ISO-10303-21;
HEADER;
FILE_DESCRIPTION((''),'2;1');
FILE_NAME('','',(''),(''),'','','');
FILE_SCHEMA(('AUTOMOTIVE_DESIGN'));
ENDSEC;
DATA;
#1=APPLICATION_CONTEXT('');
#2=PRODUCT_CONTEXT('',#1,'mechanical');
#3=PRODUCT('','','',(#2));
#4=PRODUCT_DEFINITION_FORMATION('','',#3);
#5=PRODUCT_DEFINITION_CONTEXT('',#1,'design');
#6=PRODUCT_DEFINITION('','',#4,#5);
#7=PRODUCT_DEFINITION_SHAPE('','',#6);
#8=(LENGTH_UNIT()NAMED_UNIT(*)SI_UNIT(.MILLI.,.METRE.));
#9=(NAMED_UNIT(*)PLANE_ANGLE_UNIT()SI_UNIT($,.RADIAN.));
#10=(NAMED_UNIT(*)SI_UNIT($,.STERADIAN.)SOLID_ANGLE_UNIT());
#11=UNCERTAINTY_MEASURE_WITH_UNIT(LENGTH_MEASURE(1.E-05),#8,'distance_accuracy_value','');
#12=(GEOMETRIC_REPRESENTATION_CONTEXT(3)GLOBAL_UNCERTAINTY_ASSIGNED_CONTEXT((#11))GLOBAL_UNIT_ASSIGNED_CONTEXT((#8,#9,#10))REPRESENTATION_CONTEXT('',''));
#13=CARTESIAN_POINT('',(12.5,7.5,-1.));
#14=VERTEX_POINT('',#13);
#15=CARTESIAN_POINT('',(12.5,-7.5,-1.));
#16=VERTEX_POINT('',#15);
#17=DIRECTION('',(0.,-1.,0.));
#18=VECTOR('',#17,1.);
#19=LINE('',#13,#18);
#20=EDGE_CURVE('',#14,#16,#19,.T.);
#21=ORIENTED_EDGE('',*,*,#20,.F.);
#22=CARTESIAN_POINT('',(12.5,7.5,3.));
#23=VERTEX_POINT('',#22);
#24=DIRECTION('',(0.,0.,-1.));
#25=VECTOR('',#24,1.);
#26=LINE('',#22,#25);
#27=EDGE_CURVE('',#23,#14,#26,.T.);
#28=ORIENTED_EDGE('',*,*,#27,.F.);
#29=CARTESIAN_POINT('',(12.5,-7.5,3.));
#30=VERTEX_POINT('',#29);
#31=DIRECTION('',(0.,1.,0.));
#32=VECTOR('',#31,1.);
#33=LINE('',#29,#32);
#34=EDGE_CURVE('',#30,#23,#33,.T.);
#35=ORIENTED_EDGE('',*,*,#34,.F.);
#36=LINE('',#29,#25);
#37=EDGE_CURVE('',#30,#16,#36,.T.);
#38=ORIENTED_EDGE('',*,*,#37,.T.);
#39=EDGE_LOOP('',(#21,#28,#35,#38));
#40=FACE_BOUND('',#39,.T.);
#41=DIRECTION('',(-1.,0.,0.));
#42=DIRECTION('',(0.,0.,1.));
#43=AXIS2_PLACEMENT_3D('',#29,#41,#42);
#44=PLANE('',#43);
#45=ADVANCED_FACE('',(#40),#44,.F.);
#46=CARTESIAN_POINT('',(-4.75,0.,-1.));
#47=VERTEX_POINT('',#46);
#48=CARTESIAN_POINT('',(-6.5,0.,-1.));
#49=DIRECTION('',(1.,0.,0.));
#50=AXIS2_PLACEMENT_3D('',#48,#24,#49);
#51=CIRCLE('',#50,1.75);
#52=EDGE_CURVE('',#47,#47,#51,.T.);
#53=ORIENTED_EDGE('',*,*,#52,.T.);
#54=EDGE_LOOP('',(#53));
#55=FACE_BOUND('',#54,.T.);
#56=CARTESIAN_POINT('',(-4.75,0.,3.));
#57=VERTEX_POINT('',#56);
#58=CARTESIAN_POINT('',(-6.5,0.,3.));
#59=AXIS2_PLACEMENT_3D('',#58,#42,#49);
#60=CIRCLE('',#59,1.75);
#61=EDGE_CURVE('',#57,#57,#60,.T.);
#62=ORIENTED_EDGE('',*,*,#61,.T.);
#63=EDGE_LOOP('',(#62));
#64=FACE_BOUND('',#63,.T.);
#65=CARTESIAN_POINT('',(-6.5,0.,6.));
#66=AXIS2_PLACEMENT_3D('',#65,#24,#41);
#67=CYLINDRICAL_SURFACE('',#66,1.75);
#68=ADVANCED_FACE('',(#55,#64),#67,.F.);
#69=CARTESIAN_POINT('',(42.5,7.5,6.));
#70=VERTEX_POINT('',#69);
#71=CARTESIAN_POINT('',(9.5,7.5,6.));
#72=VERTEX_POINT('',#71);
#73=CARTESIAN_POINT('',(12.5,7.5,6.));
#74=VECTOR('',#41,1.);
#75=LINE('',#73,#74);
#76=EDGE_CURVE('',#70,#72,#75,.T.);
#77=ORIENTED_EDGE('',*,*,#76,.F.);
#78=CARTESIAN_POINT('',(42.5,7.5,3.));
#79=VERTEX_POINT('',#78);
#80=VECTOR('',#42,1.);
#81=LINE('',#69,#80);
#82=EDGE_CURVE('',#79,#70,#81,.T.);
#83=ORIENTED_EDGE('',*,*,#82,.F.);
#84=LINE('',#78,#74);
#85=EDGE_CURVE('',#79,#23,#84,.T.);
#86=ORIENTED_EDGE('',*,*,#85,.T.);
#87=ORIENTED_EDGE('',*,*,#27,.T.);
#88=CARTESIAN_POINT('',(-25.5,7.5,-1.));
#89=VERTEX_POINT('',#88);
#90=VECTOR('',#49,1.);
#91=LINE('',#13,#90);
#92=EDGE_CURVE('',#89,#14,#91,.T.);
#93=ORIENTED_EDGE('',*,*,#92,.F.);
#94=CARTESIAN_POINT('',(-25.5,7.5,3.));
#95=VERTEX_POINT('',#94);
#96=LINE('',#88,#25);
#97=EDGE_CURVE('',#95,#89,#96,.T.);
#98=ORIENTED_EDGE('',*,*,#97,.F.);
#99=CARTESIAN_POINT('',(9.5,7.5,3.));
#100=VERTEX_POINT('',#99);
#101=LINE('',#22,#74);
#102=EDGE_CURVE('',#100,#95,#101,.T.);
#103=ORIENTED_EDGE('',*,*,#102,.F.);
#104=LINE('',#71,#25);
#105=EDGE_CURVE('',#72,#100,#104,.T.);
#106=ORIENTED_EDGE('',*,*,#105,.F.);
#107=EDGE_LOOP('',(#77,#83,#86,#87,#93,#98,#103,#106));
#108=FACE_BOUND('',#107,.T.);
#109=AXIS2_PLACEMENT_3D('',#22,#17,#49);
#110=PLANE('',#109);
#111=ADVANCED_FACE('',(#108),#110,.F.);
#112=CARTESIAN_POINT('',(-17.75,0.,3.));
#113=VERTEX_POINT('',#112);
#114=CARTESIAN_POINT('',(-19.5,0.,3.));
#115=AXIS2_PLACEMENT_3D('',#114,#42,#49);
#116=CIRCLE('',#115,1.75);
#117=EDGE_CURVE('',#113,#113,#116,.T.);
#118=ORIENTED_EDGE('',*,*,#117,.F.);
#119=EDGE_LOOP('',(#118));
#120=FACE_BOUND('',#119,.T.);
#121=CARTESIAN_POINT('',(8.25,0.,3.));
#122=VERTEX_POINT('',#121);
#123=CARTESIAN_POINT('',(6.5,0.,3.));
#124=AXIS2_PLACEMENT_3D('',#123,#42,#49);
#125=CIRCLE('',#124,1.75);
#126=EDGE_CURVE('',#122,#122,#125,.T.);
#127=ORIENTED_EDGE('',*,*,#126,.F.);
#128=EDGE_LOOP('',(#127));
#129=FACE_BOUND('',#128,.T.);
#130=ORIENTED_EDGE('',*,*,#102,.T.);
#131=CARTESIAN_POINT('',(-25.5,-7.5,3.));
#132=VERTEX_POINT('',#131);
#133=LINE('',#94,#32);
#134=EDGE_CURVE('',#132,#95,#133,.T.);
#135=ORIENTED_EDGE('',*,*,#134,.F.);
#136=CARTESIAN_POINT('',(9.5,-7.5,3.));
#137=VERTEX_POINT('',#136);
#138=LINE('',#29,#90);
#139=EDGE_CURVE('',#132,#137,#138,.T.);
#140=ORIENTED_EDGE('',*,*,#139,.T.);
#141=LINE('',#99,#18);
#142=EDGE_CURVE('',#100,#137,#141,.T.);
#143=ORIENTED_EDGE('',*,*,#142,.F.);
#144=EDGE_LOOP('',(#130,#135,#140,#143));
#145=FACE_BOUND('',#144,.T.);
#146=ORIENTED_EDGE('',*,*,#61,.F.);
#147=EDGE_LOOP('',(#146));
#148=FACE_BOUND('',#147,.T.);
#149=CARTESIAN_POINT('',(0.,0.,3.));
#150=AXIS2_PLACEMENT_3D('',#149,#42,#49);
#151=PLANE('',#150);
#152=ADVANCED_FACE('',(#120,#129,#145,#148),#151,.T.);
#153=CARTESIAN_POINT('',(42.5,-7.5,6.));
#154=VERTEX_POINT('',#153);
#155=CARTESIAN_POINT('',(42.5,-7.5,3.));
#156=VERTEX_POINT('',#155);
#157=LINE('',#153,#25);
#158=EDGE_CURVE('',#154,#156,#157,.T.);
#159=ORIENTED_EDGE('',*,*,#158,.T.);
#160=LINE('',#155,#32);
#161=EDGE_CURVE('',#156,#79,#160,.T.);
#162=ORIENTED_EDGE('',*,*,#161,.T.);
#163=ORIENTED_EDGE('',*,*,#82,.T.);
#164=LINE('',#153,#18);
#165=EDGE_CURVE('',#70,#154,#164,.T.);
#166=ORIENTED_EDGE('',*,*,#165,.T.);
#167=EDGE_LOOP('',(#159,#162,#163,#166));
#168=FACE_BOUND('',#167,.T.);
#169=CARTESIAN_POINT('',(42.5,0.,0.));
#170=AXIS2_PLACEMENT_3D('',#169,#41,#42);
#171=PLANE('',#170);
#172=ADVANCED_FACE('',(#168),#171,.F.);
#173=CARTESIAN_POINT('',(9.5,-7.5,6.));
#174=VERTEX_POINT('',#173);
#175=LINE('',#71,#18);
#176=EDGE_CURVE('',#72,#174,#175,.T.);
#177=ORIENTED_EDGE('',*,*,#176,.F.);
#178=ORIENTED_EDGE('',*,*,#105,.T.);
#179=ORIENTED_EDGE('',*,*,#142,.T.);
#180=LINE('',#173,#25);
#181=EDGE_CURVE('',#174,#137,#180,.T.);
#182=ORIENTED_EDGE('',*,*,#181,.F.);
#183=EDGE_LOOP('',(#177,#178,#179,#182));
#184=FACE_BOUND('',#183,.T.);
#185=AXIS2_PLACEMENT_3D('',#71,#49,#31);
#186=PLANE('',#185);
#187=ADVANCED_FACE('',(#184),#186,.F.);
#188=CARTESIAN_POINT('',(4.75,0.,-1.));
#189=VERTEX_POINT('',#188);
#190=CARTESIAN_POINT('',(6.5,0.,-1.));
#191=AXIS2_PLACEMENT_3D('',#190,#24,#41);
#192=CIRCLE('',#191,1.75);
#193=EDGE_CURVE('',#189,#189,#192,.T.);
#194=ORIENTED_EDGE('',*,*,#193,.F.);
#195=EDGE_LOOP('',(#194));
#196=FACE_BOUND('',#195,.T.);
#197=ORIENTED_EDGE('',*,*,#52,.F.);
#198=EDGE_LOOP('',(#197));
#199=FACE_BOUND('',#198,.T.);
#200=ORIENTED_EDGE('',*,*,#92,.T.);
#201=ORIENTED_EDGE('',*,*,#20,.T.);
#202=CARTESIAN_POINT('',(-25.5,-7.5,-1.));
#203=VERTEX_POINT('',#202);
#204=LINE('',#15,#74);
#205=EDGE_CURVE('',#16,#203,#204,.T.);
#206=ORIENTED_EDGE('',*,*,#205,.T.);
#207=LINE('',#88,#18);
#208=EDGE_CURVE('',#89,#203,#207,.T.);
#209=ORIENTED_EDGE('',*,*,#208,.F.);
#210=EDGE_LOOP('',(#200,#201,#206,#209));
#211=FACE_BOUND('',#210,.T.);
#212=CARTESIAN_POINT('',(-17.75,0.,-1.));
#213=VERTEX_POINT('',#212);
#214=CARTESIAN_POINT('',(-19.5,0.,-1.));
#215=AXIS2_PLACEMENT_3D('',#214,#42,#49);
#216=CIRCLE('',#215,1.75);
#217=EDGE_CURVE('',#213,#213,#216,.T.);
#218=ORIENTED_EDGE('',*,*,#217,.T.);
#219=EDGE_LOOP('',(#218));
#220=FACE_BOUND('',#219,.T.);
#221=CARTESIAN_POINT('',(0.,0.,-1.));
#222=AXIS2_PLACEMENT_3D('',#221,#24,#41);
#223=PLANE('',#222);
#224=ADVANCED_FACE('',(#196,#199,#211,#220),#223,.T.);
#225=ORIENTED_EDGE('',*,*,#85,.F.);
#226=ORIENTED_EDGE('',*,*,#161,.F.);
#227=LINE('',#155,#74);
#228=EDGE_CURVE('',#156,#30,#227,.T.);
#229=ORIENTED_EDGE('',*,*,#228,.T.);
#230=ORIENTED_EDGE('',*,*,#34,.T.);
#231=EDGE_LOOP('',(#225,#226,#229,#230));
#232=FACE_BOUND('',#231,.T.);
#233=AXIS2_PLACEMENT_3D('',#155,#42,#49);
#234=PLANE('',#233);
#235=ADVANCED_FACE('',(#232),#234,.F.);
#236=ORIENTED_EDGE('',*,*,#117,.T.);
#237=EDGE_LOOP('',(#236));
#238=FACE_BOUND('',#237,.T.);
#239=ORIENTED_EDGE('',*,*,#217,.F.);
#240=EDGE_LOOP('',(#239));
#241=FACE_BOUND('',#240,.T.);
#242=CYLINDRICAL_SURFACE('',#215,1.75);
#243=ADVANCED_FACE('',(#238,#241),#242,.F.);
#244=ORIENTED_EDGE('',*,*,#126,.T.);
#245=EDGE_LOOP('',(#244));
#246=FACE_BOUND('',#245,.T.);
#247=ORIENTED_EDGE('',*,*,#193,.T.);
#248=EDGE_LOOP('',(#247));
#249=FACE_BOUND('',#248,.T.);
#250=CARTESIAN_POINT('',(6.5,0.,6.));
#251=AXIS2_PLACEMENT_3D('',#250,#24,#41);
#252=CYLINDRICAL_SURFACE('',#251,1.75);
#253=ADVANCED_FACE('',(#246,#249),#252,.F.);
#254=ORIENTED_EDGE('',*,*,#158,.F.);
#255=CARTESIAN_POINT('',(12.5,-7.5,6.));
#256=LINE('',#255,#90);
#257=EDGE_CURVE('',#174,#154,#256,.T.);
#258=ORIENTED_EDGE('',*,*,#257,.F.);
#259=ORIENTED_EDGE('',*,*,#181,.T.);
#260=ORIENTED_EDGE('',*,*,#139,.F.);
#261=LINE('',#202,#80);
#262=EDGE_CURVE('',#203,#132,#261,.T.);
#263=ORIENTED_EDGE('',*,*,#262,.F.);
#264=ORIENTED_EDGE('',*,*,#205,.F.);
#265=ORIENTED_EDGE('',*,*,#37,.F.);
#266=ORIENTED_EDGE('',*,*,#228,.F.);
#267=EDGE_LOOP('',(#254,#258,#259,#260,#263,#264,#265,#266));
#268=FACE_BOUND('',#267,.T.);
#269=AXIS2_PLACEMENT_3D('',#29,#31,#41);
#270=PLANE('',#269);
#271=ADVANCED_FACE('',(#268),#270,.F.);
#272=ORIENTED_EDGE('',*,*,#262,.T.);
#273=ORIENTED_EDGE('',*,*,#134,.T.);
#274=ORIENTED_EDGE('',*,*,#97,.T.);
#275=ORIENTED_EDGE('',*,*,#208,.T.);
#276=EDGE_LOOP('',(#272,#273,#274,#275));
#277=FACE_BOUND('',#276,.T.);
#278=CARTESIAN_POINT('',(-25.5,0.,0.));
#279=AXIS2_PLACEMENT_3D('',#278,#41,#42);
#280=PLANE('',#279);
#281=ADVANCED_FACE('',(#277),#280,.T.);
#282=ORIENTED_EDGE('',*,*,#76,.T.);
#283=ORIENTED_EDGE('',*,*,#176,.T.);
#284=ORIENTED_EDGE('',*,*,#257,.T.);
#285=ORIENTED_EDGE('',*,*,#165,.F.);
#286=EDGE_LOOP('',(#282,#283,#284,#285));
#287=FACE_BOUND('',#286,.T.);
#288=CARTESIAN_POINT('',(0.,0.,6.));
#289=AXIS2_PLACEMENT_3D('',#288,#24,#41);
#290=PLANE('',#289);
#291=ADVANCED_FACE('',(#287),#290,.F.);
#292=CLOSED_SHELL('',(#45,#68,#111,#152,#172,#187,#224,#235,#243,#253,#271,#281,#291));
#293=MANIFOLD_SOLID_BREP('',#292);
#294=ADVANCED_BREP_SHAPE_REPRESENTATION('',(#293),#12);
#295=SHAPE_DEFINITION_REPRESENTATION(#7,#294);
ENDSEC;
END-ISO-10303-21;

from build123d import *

# Parameters (mm, degrees)
ESBO_O1_W                = 25
ESBO_O1_H                = 15
RESSALTO_EXTRUS_O1_DEPTH = 3
ESBO_O3_W                = 3
ESBO_O3_H                = 15
RESSALTO_EXTRUS_O2_DEPTH = 3
ESBO_O5_W                = 3
ESBO_O5_H                = 15
RESSALTO_EXTRUS_O3_DEPTH = 30
ESBO_O8_W                = 25
ESBO_O8_H                = 15
RESSALTO_EXTRUS_O4_DEPTH = 1
ESBO_O9_R                = 1.75
CORTE_EXTRUS_O1_DEPTH    = 44.720704477
ESBO_O10_W               = 4
ESBO_O10_H               = 15
RESSALTO_EXTRUS_O5_DEPTH = 13
ESBO_O11_R               = 1.75
CORTE_EXTRUS_O2_DEPTH    = 44.341665866


with BuildPart() as part:
    # Esboço1 → Ressalto-extrusão1 (new body)
    with BuildSketch(Plane.XY):
        Rectangle(ESBO_O1_W, ESBO_O1_H)
    extrude(amount=RESSALTO_EXTRUS_O1_DEPTH)

    # Esboço3 → Ressalto-extrusão2 (add)
    with BuildSketch(Plane.XY.offset(3)):
        with Locations((11, 0)):
            Rectangle(ESBO_O3_W, ESBO_O3_H)
    extrude(amount=RESSALTO_EXTRUS_O2_DEPTH)

    # Esboço5 → Ressalto-extrusão3 (add)
    with BuildSketch(Plane(origin=(12.5, 0, 0), x_dir=(0, 0, -1), z_dir=(1, 0, 0))):
        with Locations((-4.5, 0)):
            Rectangle(ESBO_O5_W, ESBO_O5_H)
    extrude(amount=RESSALTO_EXTRUS_O3_DEPTH)

    # Esboço8 → Ressalto-extrusão4 (add)
    with BuildSketch(Plane(origin=(0, 0, 0), x_dir=(-1, 0, 0), z_dir=(0, 0, -1))):
        Rectangle(ESBO_O8_W, ESBO_O8_H)
    extrude(amount=RESSALTO_EXTRUS_O4_DEPTH)

    # Esboço9 → Corte-extrusão1 (cut, through all)
    with BuildSketch(Plane(origin=(0, 0, -1), x_dir=(-1, 0, 0), z_dir=(0, 0, -1))):
        with Locations((-6.5, 0)):
            Circle(ESBO_O9_R)
        with Locations(Location((6.5, 0, 0), (0, 0, 180))):
            Circle(ESBO_O9_R)
    extrude(amount=-CORTE_EXTRUS_O1_DEPTH, mode=Mode.SUBTRACT)

    # Esboço10 → Ressalto-extrusão5 (add)
    with BuildSketch(Plane.ZY.offset(12.5)):
        with Locations((1, 0)):
            Rectangle(ESBO_O10_W, ESBO_O10_H)
    extrude(amount=RESSALTO_EXTRUS_O5_DEPTH)

    # Esboço11 → Corte-extrusão2 (cut, through all)
    with BuildSketch(Plane.XY.offset(3)):
        with Locations((-19.5, 0)):
            Circle(ESBO_O11_R)
    extrude(amount=-CORTE_EXTRUS_O2_DEPTH, mode=Mode.SUBTRACT)


solid = part.part
